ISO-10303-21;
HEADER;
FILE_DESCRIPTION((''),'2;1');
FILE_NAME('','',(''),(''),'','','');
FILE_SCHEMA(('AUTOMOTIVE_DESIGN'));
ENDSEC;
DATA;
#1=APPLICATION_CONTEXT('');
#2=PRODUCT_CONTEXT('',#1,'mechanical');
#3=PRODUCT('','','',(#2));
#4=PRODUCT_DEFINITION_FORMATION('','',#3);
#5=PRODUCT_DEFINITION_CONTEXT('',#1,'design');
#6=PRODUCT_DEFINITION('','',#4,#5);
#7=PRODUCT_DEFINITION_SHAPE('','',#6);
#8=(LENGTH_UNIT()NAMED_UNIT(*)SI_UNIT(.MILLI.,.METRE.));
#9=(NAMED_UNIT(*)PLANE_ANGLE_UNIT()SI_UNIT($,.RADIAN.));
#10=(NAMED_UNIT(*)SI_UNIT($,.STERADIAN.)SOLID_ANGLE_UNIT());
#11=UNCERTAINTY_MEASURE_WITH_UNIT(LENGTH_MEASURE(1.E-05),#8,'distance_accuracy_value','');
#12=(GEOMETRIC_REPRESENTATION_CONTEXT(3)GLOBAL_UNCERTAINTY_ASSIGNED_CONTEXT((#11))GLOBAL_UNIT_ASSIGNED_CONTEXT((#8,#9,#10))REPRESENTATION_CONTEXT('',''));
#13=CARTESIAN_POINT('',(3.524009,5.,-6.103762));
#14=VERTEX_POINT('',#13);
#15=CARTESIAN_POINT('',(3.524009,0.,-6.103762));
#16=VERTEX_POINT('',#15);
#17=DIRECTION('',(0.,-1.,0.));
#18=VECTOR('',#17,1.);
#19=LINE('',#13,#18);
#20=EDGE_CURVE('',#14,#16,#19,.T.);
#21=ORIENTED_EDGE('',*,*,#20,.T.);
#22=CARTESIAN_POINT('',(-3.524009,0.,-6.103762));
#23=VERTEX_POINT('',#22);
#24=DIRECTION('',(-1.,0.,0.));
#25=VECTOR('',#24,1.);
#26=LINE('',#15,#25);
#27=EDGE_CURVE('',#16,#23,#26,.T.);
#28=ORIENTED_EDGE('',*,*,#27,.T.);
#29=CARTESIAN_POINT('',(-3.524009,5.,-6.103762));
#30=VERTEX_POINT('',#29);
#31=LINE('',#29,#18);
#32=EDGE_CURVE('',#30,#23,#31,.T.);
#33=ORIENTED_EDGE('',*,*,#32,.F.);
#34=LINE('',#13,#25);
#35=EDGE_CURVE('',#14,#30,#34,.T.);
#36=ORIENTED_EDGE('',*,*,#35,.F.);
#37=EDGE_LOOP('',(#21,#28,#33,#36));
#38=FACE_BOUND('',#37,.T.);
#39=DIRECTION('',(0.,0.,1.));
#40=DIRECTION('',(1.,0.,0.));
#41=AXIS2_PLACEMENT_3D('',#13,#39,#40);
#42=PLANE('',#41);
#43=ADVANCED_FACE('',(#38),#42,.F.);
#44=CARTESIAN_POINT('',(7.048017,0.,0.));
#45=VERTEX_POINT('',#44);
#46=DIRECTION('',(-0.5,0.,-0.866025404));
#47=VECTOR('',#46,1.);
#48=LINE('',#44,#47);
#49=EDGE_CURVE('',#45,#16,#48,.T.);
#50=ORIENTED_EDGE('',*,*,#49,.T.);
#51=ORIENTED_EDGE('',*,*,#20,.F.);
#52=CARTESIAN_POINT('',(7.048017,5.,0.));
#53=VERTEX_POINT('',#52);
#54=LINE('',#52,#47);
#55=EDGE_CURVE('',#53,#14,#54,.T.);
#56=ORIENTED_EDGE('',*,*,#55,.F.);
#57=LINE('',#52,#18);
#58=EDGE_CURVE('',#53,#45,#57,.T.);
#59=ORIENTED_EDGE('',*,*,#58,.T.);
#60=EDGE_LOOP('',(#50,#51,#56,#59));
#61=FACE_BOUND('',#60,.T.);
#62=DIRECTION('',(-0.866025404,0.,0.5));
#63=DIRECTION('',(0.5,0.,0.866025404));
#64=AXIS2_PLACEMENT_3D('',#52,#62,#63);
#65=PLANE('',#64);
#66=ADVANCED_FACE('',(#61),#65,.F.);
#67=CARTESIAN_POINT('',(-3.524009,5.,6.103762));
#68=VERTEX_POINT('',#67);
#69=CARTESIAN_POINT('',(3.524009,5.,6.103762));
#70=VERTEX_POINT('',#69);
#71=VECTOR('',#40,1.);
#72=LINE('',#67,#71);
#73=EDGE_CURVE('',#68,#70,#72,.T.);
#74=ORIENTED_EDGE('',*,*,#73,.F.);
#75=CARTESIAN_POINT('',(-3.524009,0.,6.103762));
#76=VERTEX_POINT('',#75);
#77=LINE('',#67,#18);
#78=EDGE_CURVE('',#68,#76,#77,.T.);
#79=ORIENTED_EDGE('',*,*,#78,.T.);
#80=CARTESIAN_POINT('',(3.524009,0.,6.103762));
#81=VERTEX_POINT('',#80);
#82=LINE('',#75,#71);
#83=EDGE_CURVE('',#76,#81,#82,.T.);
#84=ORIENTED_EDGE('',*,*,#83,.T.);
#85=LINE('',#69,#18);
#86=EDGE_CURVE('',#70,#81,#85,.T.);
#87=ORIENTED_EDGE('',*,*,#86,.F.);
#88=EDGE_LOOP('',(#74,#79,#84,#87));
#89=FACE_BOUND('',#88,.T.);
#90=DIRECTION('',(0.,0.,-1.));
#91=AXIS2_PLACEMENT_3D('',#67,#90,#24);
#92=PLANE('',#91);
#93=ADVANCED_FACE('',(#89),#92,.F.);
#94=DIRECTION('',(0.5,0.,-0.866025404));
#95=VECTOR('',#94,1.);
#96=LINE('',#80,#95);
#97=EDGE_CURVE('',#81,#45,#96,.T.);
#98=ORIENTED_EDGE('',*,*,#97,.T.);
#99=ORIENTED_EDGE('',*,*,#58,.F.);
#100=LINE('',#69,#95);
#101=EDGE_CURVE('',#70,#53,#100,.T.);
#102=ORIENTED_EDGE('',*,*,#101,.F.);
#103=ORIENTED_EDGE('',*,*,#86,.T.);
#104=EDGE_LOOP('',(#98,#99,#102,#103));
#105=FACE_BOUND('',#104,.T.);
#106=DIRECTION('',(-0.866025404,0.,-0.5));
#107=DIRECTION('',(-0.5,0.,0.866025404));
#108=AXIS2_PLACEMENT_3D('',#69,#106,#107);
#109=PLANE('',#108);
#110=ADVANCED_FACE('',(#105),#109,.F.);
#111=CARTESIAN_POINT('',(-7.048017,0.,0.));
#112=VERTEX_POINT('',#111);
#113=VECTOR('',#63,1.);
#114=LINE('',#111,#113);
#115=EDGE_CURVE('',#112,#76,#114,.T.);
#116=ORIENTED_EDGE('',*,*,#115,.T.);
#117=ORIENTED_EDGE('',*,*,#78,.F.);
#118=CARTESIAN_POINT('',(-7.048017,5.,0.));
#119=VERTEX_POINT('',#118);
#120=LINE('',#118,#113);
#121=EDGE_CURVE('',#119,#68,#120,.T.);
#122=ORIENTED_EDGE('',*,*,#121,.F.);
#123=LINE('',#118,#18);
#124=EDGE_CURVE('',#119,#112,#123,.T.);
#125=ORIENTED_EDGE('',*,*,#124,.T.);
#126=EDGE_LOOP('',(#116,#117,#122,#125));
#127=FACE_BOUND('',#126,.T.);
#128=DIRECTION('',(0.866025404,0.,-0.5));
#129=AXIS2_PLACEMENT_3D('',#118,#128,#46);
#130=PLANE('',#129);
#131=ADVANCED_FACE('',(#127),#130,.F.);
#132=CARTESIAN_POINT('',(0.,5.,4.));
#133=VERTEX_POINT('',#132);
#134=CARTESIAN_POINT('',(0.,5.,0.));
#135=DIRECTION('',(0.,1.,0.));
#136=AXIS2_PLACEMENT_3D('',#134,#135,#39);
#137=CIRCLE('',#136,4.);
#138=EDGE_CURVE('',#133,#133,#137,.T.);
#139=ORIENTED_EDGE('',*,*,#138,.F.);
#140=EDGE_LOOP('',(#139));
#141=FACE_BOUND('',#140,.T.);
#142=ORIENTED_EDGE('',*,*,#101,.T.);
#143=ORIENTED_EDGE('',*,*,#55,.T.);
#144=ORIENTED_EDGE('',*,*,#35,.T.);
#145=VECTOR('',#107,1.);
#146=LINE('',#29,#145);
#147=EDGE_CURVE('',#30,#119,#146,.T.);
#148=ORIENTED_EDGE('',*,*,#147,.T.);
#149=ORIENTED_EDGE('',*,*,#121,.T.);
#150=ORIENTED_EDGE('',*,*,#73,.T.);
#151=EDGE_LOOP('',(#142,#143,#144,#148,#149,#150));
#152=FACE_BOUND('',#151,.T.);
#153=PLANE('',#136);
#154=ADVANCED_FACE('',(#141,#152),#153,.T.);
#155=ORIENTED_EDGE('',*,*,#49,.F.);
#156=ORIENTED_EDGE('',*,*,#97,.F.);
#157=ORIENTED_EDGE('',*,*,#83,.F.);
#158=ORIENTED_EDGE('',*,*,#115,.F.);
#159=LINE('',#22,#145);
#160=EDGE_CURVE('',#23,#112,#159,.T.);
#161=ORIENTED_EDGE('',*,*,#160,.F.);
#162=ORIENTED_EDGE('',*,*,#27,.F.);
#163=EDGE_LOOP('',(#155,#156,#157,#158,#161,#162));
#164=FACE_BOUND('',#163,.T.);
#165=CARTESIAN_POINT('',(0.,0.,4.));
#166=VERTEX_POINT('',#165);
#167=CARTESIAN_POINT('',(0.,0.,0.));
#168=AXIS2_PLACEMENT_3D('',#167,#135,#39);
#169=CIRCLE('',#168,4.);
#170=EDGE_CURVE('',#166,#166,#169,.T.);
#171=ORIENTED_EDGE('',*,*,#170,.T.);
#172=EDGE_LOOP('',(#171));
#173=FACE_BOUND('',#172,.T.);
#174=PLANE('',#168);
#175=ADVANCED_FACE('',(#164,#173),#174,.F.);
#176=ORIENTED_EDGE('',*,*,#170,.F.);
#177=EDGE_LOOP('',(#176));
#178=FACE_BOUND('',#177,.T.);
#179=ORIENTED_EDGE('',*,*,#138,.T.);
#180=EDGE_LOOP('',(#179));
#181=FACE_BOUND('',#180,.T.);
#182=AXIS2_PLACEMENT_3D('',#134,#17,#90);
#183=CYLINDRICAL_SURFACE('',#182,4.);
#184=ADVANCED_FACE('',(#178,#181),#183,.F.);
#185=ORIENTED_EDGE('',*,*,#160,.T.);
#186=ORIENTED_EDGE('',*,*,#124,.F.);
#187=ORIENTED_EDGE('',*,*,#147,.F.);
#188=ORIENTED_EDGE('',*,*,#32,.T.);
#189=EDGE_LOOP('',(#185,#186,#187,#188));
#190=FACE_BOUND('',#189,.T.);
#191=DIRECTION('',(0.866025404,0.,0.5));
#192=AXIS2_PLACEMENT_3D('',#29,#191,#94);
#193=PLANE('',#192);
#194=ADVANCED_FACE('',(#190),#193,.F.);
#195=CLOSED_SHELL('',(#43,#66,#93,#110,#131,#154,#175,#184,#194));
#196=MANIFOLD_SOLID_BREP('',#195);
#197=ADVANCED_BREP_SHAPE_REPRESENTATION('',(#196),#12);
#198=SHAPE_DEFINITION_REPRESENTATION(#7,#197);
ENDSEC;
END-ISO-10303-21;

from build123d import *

# Parameters (mm, degrees)
CROQUIS1_R              = 4
SALIENTE_EXTRUIR1_DEPTH = 5


with BuildPart() as part:
    # Croquis1 → Saliente-Extruir1 (new body)
    with BuildSketch(Plane(origin=(0, 0, 0), x_dir=(1, 0, 0), z_dir=(0, 1, 0))):
        Polygon((7.048017094, 0), (3.524008547, 6.103761849), (-3.524008547, 6.103761849), (-7.048017094, 0), (-3.524008547, -6.103761849), (3.524008547, -6.103761849), align=None)
        with Locations(Location((0, 0, 0), (0, 0, 270))):
            Circle(CROQUIS1_R, mode=Mode.SUBTRACT)
    extrude(amount=SALIENTE_EXTRUIR1_DEPTH)


solid = part.part
